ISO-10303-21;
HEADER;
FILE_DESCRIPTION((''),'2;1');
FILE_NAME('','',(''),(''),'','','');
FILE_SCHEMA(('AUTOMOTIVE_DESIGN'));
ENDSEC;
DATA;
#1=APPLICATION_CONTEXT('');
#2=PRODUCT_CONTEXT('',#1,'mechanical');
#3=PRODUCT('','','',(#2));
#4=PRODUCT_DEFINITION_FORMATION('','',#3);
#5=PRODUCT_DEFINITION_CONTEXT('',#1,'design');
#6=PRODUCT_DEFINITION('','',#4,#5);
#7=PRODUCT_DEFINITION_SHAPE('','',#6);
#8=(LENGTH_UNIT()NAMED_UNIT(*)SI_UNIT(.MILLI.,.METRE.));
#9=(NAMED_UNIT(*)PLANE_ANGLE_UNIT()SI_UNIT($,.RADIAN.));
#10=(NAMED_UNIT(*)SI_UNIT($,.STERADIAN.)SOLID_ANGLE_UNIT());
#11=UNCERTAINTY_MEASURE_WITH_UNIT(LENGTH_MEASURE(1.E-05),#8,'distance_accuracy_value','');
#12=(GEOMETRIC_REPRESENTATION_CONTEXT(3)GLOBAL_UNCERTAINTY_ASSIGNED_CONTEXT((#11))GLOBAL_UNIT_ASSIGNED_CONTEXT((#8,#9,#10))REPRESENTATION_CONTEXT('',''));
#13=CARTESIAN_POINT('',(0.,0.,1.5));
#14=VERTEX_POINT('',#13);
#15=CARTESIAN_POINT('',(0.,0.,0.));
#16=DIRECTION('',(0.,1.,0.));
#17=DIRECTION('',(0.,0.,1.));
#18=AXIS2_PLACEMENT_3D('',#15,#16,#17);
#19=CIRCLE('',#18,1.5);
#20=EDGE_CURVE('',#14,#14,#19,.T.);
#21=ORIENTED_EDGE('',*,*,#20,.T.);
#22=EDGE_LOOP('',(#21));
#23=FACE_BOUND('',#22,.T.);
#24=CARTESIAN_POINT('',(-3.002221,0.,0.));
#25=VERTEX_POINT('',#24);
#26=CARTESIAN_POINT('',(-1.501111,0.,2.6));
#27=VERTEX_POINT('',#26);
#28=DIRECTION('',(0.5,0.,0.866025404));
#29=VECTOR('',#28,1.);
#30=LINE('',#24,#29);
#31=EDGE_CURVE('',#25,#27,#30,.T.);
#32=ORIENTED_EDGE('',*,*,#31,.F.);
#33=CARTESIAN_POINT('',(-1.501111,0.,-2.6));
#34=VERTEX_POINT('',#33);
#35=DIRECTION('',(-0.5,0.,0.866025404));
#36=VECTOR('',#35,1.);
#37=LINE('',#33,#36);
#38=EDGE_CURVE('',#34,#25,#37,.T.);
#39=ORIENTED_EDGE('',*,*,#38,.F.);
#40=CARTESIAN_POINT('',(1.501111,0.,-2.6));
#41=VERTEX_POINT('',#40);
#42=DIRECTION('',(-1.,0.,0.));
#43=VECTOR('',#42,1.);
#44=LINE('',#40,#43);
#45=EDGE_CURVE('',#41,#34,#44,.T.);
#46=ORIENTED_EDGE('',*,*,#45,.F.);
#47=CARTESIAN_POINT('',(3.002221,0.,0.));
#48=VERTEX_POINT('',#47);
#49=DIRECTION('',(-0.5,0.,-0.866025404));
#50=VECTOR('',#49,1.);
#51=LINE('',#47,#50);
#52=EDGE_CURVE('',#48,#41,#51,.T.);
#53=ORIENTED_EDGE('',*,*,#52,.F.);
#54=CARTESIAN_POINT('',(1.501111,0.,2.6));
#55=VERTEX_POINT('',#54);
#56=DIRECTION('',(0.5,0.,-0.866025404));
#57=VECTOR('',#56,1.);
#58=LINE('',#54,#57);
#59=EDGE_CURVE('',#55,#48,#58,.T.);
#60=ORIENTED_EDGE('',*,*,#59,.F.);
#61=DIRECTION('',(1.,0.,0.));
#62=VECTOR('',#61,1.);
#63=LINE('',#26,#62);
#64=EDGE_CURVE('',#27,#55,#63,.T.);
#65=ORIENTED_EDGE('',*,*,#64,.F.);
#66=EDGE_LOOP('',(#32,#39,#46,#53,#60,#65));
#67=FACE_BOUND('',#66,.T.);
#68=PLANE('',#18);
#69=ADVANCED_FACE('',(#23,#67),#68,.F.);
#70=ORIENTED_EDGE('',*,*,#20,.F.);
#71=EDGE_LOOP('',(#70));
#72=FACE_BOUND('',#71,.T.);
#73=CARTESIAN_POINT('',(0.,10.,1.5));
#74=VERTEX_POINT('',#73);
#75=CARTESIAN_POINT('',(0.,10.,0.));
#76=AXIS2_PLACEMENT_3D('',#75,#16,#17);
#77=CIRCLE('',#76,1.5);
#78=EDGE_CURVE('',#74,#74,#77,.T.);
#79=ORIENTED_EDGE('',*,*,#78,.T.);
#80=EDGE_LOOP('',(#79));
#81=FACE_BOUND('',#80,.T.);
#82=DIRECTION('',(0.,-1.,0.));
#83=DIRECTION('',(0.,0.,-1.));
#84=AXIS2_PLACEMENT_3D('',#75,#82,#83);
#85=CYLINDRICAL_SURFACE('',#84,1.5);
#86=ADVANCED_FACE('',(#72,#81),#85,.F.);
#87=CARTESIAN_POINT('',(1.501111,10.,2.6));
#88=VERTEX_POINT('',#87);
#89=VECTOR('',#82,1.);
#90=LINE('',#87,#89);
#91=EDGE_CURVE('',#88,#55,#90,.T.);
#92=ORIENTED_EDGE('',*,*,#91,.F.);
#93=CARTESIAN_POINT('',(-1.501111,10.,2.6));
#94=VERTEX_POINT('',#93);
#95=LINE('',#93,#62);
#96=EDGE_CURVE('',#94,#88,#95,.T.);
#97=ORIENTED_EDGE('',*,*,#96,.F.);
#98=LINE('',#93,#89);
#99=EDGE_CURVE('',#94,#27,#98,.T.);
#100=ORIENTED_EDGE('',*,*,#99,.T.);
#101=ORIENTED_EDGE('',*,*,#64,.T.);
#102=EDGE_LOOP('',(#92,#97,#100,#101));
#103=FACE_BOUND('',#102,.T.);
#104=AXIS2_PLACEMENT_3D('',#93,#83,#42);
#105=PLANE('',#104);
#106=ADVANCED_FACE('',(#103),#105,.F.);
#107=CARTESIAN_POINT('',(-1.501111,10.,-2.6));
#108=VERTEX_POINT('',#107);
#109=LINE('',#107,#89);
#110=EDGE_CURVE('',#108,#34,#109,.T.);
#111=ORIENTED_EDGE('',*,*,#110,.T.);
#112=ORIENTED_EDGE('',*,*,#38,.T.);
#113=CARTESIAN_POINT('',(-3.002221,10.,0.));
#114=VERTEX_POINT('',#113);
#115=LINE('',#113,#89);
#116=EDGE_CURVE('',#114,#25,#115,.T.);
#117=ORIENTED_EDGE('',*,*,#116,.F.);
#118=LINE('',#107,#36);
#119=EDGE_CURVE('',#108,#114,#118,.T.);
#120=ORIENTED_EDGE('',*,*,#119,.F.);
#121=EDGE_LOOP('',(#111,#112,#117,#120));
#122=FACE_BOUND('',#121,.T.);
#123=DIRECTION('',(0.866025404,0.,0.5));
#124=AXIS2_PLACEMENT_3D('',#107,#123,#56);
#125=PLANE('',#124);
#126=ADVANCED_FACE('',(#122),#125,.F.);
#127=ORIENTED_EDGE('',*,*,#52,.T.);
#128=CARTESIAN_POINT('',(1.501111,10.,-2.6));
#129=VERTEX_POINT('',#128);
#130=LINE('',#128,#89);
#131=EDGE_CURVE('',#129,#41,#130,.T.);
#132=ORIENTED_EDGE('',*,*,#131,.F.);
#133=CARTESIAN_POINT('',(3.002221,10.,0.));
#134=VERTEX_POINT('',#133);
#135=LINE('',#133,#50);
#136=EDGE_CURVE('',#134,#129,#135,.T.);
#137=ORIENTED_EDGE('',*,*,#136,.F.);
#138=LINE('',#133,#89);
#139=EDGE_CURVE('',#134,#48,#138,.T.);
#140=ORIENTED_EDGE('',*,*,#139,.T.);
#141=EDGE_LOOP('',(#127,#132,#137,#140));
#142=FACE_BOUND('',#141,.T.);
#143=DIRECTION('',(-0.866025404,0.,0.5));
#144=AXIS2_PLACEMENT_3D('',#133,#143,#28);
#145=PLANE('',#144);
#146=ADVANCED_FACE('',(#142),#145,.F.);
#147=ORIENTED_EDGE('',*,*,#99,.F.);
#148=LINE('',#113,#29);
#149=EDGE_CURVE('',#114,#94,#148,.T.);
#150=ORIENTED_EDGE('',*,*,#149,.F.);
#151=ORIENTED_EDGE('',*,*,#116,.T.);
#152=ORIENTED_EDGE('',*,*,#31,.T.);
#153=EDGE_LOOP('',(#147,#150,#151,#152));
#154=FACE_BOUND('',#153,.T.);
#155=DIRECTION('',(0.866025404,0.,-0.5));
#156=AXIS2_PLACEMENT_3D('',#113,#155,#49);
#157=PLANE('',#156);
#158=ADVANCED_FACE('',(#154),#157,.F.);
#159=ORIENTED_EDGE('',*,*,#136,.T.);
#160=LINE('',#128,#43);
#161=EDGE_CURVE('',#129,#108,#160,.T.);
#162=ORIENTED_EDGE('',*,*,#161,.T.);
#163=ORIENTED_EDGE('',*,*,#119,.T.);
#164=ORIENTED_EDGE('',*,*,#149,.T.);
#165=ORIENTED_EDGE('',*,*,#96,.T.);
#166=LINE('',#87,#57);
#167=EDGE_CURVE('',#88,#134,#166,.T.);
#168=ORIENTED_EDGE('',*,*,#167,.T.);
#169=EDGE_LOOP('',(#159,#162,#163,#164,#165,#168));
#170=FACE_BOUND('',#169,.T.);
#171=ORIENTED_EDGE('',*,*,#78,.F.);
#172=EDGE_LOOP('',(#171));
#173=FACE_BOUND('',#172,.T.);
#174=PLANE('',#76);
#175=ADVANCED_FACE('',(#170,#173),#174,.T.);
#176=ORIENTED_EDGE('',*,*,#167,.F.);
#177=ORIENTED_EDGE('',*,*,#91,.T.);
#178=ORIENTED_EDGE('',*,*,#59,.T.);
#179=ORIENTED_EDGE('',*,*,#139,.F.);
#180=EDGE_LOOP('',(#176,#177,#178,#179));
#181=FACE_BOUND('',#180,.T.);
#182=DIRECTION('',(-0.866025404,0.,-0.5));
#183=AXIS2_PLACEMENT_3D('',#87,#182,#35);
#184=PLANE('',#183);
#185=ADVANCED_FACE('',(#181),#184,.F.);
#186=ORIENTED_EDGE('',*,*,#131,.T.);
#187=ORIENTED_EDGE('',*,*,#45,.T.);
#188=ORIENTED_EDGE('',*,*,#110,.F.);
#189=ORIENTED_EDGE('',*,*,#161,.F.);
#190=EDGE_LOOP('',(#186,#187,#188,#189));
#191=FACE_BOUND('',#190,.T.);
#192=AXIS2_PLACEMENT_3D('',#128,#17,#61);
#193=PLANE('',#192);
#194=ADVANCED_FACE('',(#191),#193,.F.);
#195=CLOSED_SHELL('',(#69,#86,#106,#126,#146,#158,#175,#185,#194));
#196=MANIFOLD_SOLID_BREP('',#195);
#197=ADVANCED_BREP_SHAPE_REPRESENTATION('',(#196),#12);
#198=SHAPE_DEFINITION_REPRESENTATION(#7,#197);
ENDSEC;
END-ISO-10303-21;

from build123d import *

# Parameters (mm, degrees)
SKETCH_1_R      = 1.5
EXTRUDE_1_DEPTH = 10


with BuildPart() as part:
    # 스케치1 → 보스-돌출1 (new body)
    with BuildSketch(Plane(origin=(0, 0, 0), x_dir=(1, 0, 0), z_dir=(0, 1, 0))):
        Polygon((1.5011107, 2.6), (-1.5011107, 2.6), (-3.0022214, 0), (-1.5011107, -2.6), (1.5011107, -2.6), (3.0022214, 0), align=None)
        with Locations(Location((0, 0, 0), (0, 0, 270))):
            Circle(SKETCH_1_R, mode=Mode.SUBTRACT)
    extrude(amount=EXTRUDE_1_DEPTH)


solid = part.part
